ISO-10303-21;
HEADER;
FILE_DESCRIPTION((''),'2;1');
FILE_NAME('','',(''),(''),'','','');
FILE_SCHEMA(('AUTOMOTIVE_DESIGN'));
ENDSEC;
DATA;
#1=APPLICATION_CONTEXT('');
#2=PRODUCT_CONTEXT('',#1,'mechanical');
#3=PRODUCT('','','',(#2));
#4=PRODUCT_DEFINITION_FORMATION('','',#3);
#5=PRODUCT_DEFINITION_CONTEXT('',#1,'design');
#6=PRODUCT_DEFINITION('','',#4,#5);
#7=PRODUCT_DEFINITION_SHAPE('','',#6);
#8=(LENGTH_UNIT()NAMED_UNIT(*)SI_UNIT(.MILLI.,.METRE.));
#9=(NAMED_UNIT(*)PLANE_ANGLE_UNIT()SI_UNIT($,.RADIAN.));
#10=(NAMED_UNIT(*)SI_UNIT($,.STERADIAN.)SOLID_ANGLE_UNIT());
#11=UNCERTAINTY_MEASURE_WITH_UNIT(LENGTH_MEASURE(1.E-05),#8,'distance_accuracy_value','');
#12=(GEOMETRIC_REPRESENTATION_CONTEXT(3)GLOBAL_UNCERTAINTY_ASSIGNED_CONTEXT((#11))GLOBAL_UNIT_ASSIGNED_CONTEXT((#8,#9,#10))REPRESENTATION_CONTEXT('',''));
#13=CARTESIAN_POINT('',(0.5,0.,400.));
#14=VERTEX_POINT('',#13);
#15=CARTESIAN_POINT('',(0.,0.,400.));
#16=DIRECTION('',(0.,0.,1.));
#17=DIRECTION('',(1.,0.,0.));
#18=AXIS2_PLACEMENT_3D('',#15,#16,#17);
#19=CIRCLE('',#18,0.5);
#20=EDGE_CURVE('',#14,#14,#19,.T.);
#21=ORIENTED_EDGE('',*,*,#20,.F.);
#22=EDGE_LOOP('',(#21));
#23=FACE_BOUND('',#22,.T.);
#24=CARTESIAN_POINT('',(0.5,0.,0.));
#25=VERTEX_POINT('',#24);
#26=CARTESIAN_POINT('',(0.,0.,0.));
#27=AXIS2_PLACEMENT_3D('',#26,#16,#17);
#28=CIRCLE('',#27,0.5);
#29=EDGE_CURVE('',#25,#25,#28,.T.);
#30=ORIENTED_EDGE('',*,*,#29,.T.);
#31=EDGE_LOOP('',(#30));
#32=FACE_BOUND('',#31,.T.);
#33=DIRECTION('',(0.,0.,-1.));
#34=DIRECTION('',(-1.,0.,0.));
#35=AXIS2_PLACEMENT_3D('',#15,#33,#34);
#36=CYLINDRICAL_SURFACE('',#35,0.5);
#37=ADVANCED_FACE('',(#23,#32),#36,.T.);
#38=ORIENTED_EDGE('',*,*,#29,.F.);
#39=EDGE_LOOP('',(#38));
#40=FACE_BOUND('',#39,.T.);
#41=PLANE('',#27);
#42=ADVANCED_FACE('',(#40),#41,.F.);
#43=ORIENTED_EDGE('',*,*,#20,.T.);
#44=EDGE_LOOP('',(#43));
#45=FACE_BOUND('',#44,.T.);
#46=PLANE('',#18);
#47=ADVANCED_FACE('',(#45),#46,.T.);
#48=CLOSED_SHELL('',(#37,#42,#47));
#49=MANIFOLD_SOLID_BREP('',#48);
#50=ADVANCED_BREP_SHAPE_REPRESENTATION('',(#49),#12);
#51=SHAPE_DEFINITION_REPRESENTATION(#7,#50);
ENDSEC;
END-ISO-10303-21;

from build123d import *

# Parameters (mm, degrees)
ESQUISSE1_R        = 0.5
BOSS_EXTRU_1_DEPTH = 400


with BuildPart() as part:
    # Esquisse1 → Boss.-Extru.1 (new body)
    with BuildSketch(Plane.XY):
        Circle(ESQUISSE1_R)
    extrude(amount=BOSS_EXTRU_1_DEPTH)


solid = part.part
